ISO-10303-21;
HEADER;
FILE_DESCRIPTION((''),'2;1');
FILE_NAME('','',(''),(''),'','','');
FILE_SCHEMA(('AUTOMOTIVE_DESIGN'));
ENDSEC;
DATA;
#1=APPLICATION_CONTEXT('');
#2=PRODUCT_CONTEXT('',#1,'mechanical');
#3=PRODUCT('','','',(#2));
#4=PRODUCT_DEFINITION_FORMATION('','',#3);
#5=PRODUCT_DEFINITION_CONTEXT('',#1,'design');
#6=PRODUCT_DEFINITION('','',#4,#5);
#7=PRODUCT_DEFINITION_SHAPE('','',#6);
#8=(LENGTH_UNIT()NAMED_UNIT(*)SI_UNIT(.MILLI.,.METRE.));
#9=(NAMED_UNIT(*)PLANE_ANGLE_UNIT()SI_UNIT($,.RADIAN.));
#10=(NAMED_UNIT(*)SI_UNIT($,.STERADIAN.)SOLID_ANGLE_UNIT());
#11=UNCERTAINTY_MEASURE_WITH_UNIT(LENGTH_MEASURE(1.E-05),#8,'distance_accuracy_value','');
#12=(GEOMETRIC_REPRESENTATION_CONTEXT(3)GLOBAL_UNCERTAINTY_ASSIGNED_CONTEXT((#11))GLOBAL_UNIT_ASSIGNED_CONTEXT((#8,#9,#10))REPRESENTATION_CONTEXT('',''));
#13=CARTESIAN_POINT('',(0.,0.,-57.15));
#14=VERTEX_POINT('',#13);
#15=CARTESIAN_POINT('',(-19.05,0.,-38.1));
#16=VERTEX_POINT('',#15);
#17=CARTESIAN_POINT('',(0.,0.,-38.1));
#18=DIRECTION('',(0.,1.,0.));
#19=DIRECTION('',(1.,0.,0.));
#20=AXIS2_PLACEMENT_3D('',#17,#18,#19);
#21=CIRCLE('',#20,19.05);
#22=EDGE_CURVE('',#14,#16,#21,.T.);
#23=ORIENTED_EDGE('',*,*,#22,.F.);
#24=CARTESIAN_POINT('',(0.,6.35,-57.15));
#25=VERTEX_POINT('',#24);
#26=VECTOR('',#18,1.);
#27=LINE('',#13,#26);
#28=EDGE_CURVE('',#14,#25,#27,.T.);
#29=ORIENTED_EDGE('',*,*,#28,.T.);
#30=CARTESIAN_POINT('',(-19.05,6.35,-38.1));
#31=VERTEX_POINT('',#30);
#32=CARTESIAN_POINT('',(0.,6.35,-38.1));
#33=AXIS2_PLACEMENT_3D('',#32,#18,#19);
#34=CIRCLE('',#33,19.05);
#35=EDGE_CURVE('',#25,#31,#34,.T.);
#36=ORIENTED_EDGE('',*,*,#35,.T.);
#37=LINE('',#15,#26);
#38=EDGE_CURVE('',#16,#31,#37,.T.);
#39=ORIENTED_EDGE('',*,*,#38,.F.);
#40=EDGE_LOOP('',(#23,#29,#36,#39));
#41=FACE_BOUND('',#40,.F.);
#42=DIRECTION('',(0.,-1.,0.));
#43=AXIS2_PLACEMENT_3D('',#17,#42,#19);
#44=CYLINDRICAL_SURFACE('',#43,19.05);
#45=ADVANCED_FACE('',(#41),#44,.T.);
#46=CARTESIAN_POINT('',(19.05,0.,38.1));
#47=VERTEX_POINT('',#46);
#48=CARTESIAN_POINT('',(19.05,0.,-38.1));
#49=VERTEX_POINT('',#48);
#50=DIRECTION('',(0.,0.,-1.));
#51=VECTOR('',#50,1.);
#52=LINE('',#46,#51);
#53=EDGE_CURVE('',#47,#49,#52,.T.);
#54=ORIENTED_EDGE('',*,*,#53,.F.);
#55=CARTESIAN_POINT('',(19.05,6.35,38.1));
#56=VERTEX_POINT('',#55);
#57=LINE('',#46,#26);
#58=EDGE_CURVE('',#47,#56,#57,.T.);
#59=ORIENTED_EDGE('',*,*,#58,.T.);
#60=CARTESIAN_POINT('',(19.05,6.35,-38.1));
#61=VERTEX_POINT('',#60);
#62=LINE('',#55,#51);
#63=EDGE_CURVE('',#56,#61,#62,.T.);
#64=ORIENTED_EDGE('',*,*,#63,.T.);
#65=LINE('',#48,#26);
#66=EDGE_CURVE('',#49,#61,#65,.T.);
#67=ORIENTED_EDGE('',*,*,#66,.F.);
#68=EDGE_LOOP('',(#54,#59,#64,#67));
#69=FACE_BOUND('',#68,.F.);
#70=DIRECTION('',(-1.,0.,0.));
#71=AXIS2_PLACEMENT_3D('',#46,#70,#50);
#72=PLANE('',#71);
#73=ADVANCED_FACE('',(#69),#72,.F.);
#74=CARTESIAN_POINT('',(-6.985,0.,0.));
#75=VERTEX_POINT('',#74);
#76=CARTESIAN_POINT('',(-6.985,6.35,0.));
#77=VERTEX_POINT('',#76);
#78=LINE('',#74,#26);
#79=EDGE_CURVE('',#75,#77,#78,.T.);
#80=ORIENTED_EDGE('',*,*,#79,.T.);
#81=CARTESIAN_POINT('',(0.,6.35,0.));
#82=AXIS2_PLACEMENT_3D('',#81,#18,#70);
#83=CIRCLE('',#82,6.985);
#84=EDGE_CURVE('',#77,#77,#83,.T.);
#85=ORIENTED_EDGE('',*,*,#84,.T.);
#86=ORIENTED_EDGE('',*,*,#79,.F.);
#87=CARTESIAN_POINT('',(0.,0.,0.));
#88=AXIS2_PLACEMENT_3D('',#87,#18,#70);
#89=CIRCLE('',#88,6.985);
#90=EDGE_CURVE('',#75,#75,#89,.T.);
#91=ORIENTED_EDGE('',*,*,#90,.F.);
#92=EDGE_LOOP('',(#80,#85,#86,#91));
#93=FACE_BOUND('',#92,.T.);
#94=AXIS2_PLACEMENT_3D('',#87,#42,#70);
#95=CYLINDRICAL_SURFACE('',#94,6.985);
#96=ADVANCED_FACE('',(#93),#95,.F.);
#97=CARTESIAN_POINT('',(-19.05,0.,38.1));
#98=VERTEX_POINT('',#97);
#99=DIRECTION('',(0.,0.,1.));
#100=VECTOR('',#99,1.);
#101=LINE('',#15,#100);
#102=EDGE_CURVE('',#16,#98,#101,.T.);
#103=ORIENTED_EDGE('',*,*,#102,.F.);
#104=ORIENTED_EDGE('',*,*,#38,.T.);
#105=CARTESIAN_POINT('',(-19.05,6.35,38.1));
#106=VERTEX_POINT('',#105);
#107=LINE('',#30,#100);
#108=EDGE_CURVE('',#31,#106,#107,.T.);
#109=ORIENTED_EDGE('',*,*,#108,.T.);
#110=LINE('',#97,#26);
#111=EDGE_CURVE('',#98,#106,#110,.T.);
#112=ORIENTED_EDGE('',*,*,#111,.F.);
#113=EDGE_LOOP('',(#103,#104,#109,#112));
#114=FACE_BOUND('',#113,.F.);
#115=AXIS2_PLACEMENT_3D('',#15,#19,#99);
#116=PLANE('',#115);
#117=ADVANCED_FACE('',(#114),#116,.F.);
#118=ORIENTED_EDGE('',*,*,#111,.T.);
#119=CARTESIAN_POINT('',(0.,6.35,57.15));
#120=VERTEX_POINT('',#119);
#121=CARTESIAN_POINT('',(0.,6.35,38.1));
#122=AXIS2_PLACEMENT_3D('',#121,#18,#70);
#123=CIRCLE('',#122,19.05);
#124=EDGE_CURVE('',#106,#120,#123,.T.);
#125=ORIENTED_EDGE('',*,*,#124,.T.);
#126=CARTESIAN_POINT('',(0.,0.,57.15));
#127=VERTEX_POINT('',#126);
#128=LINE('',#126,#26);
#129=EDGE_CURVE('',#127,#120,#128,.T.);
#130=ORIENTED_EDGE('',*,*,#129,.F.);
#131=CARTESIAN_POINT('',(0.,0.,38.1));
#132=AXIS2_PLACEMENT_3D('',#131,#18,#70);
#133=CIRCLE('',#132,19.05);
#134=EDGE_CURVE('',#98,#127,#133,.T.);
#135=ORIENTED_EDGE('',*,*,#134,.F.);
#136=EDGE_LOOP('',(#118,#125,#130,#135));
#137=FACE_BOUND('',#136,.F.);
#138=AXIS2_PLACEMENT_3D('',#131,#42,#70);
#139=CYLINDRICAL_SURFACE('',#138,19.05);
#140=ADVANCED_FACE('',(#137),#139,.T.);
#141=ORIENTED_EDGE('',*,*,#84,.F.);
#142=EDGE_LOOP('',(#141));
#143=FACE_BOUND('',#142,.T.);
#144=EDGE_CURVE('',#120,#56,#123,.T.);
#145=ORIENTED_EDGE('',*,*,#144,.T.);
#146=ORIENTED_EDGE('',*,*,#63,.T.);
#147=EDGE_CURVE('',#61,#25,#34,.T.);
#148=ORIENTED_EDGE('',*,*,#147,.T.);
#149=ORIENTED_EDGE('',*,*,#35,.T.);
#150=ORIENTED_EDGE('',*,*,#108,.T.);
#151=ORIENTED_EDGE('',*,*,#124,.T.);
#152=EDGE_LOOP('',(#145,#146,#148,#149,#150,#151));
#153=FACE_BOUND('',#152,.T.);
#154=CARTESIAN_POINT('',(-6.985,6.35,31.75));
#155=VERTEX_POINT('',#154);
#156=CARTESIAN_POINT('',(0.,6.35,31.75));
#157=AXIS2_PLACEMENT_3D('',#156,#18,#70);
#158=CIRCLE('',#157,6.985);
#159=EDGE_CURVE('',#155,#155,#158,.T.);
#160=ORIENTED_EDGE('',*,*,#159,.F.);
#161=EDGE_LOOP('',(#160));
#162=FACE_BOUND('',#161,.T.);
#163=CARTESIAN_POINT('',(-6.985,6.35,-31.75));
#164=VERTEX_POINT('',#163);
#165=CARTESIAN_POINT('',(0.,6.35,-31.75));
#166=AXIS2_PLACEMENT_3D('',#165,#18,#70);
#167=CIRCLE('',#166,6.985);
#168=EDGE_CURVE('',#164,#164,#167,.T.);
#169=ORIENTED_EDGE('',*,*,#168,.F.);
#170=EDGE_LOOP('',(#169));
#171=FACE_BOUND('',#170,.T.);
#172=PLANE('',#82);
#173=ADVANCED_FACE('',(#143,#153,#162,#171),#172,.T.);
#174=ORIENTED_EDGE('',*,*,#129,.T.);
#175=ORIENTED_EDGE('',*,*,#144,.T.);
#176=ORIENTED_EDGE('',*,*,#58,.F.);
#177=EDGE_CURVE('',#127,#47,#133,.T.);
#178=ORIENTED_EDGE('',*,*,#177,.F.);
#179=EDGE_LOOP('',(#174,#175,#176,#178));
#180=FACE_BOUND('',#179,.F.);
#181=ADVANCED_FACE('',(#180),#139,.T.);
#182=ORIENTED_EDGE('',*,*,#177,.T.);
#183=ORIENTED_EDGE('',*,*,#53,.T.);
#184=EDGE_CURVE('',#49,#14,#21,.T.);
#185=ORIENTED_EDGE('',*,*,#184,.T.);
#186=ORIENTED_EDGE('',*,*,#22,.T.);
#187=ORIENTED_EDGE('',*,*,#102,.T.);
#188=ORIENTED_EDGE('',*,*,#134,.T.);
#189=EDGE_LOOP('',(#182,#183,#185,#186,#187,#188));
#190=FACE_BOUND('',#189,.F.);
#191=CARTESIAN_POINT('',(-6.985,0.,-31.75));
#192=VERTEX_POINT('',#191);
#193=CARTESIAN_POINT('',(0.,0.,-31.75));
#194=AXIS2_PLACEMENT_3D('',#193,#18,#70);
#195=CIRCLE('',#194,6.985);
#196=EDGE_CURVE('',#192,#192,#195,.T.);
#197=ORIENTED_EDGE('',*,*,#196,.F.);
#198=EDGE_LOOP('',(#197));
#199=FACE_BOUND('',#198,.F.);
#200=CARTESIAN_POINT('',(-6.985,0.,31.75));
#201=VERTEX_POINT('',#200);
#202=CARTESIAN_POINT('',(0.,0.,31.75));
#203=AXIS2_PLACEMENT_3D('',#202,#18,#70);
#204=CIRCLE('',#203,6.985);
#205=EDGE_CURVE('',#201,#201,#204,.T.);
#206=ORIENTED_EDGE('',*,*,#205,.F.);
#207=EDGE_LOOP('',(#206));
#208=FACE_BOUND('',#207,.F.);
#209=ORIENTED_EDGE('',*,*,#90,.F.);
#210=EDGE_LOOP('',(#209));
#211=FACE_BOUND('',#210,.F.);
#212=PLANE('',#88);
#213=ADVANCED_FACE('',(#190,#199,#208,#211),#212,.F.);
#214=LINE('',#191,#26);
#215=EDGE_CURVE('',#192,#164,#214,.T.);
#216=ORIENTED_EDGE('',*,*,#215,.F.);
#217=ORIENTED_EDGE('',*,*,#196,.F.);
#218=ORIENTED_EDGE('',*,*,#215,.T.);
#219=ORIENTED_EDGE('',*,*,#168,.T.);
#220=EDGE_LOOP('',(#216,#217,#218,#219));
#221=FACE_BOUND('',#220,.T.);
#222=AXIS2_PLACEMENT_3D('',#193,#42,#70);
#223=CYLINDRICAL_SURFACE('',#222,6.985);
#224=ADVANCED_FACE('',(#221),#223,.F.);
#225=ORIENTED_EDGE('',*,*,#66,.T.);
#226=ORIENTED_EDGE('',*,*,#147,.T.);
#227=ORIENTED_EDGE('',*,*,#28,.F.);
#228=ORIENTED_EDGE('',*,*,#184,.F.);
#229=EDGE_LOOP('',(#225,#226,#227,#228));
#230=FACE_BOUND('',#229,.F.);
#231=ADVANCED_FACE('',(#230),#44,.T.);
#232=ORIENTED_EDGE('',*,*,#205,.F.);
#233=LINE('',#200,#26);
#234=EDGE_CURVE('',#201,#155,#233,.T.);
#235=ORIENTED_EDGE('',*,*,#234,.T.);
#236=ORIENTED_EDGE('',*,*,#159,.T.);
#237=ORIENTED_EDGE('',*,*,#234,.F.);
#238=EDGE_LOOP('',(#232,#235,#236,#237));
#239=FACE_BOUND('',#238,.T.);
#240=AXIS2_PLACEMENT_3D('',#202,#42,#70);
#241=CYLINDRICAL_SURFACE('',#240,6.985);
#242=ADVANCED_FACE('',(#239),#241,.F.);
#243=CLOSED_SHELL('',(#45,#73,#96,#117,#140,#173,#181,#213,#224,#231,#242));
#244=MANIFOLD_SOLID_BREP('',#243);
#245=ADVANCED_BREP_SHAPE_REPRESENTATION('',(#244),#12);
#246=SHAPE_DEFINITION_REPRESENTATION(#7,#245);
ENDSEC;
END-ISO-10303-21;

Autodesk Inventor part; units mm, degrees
ref_plane "YZ Plane" through (0, 0, 0) normal (1, 0, 0) x (0, 1, 0)
ref_plane "XZ Plane" through (0, 0, 0) normal (0, 1, 0) x (-1, 0, 0)
ref_plane "XY Plane" through (0, 0, 0) normal (0, 0, 1) x (1, 0, 0)
sketch "Sketch1" plane through (0, 0, 0) normal (0, 1, 0) x (-1, 0, 0)
  line L0 (0, -38.1) -> (0, 38.1) construction
  line L1 (19.05, -38.1) -> (19.05, 38.1)
  line L2 (-19.05, 38.1) -> (-19.05, -38.1)
  arc A0 (-19.05, -38.1) -> (19.05, -38.1) centre (0, -38.1) ccw
  arc A1 (19.05, 38.1) -> (-19.05, 38.1) centre (0, 38.1) ccw
  circle A2 centre (0, 0) radius 6.985
  circle A3 centre (0, -31.75) radius 6.985
  circle A4 centre (0, 31.75) radius 6.985
  line L3 (34.1256, 57.15) -> (-20.0171, 57.15)
  line L4 (24.6444, -57.15) -> (-26.3115, -57.15)
  dimension "d0" = 38.1
  dimension "d1" = 38.1
  dimension "d2" = 13.97
  dimension "d3" = 31.75
  dimension "d4" = 31.75
  dimension "d7" = 114.3
extrude "Extrusion1" add sketch "Sketch1" along normal blind 6.35
properties part number "Top Panel"
